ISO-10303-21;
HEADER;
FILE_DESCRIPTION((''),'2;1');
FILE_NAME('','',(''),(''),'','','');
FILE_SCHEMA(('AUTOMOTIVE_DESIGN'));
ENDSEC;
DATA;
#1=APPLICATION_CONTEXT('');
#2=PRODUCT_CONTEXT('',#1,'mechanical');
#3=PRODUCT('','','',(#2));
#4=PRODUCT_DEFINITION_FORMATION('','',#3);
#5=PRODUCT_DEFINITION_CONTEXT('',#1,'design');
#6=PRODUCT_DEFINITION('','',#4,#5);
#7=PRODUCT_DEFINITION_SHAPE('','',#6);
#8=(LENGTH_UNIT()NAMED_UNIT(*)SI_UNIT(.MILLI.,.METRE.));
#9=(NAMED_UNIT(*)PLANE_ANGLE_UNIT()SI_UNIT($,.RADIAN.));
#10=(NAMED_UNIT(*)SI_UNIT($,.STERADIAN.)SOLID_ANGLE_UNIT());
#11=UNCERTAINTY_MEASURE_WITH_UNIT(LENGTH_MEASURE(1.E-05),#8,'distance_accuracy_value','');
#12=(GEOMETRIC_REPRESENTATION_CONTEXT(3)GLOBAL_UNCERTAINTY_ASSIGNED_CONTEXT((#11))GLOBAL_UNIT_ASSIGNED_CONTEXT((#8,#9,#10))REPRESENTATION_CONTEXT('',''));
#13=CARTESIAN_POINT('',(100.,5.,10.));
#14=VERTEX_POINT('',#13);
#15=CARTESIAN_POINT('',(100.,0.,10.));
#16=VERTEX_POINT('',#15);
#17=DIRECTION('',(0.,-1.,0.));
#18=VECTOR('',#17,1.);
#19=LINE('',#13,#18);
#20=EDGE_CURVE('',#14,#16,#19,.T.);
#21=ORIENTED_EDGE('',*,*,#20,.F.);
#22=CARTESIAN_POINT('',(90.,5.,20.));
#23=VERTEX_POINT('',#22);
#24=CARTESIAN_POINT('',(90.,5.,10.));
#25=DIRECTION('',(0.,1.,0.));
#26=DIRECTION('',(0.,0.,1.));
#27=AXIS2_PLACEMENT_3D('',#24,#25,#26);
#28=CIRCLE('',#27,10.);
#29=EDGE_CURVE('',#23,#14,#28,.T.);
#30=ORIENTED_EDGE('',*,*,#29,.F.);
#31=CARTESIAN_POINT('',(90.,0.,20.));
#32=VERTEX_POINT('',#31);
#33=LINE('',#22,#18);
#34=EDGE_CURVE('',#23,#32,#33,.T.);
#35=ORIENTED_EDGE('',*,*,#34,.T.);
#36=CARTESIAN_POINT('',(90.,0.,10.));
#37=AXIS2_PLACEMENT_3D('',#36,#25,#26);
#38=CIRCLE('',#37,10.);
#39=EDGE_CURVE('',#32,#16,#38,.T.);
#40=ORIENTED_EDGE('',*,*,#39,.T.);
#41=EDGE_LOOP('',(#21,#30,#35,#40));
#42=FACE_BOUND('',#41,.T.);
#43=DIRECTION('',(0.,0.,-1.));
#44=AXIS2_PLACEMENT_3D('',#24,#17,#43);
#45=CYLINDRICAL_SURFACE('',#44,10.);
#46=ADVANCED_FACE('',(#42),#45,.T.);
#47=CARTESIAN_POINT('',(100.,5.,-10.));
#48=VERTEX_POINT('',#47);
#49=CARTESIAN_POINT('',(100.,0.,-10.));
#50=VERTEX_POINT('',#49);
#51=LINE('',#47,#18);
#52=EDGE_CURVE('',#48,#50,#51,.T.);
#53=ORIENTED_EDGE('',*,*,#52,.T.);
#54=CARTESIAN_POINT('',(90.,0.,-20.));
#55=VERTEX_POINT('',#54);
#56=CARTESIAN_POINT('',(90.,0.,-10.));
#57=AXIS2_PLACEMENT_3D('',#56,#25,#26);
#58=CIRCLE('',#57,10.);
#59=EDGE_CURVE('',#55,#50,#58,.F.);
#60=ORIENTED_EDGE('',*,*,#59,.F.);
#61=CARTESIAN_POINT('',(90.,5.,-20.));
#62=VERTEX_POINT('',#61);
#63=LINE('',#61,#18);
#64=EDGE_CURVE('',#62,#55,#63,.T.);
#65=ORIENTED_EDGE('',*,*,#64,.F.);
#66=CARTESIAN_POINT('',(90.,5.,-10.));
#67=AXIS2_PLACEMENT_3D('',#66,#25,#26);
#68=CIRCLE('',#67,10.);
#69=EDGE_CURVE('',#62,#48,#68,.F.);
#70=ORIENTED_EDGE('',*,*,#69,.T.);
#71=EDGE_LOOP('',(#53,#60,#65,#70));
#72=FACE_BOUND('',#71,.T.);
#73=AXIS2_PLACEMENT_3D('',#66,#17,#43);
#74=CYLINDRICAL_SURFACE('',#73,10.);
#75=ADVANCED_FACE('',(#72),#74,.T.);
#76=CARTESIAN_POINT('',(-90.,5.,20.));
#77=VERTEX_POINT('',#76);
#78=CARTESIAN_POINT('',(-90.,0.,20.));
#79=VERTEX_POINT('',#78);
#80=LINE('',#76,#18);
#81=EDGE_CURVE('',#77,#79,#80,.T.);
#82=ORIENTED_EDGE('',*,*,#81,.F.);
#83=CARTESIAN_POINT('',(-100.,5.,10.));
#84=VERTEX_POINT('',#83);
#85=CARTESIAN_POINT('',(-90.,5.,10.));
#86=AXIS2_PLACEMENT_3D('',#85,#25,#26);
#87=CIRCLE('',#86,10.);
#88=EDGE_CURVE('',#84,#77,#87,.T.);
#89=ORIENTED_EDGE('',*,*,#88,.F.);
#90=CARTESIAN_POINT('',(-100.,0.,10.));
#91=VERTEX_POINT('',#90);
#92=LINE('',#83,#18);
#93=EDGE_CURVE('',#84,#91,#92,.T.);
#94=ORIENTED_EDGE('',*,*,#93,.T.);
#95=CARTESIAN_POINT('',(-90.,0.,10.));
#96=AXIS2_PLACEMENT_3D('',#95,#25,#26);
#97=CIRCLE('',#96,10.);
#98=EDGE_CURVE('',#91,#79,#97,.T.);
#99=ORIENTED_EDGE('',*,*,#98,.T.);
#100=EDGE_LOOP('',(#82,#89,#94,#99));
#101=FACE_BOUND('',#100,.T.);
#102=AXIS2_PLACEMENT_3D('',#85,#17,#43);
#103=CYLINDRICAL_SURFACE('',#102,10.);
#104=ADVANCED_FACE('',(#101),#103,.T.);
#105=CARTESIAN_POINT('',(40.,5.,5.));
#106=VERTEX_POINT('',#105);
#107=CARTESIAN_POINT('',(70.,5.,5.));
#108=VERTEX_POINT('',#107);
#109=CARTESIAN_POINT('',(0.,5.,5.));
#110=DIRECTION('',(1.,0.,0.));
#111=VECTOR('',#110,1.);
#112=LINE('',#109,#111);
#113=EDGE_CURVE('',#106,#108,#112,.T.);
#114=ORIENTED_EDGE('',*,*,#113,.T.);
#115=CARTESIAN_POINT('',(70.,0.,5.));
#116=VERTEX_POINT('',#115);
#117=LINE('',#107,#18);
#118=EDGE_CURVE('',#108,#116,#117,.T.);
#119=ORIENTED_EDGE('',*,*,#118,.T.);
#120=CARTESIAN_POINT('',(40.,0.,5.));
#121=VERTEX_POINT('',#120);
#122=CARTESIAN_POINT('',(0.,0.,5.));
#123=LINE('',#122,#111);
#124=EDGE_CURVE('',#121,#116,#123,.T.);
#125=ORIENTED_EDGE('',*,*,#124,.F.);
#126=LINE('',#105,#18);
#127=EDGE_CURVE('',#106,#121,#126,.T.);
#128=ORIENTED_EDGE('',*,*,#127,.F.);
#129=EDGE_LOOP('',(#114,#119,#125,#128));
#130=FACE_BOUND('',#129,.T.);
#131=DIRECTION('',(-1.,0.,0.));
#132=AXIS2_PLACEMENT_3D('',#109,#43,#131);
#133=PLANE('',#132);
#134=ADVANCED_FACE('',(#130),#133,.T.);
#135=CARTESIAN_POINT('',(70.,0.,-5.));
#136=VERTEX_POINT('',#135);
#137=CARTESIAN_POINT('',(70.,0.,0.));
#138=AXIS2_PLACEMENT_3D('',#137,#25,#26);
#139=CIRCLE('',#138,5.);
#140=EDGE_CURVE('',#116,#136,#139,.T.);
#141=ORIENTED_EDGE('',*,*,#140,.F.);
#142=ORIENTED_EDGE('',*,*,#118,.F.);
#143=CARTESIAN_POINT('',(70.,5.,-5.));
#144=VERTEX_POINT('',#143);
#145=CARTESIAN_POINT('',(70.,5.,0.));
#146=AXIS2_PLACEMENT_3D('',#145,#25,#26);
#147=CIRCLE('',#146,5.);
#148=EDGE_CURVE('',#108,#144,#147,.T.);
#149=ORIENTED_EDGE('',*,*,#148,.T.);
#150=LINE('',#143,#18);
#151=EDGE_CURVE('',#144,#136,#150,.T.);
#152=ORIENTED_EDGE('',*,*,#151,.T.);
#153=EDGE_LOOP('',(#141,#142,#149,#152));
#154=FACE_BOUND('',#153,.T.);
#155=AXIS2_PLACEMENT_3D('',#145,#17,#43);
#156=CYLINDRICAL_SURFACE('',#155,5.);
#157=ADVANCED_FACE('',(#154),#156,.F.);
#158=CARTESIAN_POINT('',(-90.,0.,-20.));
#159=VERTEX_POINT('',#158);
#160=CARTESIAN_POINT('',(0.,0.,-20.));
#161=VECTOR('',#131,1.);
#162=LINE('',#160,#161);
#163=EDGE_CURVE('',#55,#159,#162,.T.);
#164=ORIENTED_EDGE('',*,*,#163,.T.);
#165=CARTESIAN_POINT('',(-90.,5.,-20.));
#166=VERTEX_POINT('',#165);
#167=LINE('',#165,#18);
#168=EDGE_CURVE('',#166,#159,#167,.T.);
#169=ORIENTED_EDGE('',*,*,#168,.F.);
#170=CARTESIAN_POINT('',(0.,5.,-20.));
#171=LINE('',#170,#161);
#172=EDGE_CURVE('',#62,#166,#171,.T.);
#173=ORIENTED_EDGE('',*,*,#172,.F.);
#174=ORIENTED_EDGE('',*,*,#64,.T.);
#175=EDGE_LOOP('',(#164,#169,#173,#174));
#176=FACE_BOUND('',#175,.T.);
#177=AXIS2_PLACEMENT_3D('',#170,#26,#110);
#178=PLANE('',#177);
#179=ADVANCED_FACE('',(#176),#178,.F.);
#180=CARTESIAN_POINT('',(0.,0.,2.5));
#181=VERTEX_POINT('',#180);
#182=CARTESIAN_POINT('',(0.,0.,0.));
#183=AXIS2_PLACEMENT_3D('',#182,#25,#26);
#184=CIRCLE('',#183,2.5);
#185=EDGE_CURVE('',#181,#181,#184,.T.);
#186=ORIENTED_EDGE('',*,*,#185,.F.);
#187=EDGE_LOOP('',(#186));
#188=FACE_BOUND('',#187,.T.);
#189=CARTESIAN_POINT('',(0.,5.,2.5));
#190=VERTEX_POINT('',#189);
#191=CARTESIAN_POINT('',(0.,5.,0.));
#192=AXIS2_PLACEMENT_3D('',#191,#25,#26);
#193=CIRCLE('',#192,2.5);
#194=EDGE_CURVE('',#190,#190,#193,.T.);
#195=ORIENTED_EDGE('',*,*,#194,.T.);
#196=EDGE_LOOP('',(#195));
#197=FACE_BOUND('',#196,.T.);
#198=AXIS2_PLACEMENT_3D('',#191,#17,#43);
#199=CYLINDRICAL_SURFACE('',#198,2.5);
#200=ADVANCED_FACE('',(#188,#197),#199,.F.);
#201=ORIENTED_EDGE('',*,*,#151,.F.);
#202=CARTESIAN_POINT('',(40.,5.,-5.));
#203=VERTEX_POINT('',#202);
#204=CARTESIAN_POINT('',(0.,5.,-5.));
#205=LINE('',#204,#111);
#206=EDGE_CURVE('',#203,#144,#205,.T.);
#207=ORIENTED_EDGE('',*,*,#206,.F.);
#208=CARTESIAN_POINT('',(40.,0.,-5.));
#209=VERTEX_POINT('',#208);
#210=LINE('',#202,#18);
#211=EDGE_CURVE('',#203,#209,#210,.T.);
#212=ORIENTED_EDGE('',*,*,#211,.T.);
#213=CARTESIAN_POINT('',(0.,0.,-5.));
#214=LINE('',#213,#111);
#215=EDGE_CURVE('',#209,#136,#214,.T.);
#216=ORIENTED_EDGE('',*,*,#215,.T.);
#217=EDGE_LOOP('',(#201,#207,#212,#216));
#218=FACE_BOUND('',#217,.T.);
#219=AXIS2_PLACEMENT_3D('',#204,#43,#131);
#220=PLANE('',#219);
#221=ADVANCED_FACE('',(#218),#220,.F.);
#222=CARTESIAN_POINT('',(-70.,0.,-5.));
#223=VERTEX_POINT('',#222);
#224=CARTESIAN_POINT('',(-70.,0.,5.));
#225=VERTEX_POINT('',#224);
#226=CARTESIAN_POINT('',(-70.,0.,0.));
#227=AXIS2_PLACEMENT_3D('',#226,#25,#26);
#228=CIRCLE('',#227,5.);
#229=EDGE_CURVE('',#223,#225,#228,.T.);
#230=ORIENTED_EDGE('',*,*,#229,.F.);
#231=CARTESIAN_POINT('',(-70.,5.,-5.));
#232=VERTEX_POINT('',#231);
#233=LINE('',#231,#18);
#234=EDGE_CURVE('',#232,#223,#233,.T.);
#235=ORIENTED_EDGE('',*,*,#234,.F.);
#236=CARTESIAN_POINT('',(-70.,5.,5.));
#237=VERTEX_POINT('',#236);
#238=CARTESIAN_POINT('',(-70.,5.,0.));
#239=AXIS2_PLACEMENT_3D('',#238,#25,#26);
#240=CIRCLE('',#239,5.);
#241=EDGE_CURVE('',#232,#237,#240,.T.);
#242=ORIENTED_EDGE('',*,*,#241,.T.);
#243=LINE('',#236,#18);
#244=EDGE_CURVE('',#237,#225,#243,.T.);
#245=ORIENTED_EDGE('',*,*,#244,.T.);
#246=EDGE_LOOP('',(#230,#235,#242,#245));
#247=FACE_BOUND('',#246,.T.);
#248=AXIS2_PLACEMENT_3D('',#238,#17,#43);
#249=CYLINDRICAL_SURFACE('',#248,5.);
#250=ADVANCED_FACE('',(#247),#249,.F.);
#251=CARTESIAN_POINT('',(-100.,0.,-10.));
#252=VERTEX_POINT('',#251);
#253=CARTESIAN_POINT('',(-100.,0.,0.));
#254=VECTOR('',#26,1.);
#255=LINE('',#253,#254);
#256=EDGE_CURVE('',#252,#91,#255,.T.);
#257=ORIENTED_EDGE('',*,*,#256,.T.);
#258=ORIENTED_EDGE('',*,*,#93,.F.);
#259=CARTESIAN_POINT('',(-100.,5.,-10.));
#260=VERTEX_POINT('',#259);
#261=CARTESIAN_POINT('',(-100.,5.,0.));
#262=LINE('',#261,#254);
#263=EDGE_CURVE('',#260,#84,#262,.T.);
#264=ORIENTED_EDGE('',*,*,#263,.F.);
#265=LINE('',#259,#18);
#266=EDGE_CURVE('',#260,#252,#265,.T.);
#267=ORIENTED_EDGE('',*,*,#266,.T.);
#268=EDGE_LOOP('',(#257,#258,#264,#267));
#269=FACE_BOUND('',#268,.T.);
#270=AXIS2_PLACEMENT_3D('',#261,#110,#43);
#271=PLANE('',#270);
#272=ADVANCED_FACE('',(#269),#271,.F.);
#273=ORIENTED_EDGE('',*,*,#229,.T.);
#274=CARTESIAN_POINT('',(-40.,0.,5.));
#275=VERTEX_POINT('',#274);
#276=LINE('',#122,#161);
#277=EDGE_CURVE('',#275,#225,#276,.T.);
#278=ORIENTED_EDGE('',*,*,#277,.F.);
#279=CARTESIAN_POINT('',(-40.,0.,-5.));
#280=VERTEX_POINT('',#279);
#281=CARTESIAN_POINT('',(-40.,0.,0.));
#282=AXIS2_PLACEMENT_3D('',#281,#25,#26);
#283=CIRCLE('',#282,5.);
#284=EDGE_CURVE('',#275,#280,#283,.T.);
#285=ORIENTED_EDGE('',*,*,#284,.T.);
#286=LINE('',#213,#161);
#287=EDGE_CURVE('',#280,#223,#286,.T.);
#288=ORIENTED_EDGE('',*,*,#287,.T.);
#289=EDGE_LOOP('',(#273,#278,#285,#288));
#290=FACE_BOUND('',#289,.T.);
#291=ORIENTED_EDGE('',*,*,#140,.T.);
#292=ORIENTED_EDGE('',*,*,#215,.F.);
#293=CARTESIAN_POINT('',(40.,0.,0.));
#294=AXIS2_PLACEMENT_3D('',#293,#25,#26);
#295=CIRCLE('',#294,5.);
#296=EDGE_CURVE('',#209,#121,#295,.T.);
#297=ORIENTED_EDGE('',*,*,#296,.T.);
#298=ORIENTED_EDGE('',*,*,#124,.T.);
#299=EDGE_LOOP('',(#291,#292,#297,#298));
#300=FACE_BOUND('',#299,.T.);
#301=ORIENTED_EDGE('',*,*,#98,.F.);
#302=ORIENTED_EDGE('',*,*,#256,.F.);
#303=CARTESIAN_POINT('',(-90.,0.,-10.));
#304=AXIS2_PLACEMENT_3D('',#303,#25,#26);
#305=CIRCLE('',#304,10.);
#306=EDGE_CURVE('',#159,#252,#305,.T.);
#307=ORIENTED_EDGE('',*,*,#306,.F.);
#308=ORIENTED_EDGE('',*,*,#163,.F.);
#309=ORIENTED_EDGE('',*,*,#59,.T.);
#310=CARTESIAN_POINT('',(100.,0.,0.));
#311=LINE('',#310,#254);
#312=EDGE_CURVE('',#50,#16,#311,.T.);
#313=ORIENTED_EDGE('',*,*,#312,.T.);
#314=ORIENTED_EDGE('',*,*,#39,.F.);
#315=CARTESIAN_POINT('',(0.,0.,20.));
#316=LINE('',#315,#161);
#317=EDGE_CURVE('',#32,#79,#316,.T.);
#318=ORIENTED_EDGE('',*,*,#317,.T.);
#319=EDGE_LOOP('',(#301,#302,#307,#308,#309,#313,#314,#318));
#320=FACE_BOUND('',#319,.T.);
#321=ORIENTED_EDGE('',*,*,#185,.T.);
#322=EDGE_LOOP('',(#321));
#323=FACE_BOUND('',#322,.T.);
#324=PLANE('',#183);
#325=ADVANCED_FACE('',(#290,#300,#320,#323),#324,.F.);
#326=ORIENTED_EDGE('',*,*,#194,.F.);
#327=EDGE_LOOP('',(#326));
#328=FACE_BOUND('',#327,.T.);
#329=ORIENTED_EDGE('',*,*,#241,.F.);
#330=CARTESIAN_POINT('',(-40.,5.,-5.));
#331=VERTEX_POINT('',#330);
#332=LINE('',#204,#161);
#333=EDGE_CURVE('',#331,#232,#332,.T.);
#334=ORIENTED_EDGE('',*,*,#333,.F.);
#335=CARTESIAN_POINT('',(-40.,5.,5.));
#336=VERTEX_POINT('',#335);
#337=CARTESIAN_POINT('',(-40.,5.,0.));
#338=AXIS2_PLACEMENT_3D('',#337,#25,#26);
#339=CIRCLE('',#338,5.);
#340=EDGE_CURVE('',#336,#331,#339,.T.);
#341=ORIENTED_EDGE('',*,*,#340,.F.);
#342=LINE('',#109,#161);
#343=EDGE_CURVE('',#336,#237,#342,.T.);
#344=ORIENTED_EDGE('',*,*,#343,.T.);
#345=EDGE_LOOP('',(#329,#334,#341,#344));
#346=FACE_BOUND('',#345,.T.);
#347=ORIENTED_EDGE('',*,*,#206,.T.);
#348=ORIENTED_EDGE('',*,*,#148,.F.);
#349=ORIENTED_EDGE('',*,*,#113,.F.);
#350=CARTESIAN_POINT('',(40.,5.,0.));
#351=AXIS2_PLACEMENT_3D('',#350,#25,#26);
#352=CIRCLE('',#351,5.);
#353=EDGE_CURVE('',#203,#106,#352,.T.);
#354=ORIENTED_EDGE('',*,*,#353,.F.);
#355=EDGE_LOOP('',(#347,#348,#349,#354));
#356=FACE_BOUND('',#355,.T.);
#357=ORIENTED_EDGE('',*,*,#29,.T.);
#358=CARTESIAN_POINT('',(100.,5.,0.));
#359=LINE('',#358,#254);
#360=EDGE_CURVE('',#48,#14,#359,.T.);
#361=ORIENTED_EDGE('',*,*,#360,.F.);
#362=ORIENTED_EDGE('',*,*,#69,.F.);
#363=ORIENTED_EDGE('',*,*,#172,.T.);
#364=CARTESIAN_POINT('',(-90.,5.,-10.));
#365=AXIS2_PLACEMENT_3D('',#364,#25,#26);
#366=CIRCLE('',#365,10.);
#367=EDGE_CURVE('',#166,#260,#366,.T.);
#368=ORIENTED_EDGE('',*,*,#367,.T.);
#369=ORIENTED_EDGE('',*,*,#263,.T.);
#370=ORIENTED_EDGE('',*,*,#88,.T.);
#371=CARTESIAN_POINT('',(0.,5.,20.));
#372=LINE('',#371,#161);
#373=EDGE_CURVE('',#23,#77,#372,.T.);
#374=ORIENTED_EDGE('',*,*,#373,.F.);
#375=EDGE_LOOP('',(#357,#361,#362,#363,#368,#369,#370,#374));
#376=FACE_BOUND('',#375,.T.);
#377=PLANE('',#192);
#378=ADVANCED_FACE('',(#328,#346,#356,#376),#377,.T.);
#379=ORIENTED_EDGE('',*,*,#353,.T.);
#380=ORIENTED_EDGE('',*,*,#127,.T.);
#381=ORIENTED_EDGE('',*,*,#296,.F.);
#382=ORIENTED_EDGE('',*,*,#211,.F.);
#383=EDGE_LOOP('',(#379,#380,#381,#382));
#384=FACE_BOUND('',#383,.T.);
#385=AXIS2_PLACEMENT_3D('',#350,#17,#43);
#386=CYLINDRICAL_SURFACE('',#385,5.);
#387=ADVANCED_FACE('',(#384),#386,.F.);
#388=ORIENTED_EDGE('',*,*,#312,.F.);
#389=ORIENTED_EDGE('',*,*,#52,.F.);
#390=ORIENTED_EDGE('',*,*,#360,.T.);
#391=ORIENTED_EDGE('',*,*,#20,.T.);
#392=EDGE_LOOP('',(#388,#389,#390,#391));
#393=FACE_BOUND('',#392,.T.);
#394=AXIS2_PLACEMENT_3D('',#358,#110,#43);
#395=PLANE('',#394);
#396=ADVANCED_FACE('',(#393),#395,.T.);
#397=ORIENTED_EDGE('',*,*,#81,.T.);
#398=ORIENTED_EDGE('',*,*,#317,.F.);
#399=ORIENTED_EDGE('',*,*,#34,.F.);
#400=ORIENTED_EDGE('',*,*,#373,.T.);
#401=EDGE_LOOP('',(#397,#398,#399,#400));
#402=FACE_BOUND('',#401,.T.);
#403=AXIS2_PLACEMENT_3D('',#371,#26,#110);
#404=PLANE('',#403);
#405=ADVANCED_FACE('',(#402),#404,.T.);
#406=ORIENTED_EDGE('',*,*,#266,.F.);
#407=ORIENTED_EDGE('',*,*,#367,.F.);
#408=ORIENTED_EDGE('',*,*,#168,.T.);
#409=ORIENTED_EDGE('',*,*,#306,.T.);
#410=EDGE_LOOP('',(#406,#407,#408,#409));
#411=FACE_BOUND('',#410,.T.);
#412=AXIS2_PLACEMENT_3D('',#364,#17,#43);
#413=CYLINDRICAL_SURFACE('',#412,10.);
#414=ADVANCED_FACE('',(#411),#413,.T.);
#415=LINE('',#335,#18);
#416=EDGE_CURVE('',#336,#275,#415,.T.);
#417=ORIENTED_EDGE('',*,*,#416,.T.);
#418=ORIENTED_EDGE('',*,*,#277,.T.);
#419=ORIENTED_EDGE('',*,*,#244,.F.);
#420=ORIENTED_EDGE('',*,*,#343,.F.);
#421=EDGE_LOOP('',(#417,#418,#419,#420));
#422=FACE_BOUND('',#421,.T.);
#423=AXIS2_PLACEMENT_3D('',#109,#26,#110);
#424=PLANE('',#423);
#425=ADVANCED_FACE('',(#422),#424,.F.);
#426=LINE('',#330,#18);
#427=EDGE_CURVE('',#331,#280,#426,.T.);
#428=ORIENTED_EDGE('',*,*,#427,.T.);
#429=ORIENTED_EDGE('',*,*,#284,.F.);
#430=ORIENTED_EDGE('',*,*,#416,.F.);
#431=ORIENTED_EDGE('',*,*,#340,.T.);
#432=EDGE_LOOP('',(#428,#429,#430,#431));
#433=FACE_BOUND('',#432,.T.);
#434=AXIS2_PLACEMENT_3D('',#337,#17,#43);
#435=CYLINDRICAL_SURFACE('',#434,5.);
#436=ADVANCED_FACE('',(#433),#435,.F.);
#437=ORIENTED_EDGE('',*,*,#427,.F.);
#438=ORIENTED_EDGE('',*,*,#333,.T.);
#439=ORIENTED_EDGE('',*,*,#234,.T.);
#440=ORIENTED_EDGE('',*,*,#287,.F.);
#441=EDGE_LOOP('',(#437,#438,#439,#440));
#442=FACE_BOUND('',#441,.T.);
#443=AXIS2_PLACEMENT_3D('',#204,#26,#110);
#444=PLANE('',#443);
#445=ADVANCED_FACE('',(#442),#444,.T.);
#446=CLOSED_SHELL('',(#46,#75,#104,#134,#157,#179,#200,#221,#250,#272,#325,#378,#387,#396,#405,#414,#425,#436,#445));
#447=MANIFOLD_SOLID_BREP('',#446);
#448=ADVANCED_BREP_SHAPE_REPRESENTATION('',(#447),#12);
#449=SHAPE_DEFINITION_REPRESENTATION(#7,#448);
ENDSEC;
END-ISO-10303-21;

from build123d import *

# Parameters (mm, degrees)
SKETCH_1_W      = 40
SKETCH_1_H      = 40
SKETCH_1_R      = 2.5
EXTRUDE_3_DEPTH = 5


with BuildPart() as part:
    # 草图1 → 凸台-拉伸3 (new body)
    # profile 1 of 3: a face of its own
    with BuildSketch(Plane(origin=(0, 0, 0), x_dir=(1, 0, 0), z_dir=(0, 1, 0))):
        with BuildLine():
            Line((-100, 10), (-100, -10))
            ThreePointArc((-100, -10), (-97.071067812, -17.071067812), (-90, -20))
            Line((-90, -20), (-20, -20))
            Line((-20, -20), (-20, 20))
            Line((-20, 20), (-90, 20))
            ThreePointArc((-90, 20), (-97.071067812, 17.071067812), (-100, 10))
        make_face()
        with BuildLine():
            ThreePointArc((-70, 5), (-75, 0), (-70, -5))
            Line((-70, -5), (-40, -5))
            ThreePointArc((-40, -5), (-35, 0), (-40, 5))
            Line((-40, 5), (-70, 5))
        make_face(mode=Mode.SUBTRACT)
    # profile 2 of 3: a face of its own
    with BuildSketch(Plane(origin=(0, 0, 0), x_dir=(1, 0, 0), z_dir=(0, 1, 0))):
        Rectangle(SKETCH_1_W, SKETCH_1_H)
        with Locations(Location((0, 0, 0), (0, 0, 270))):
            Circle(SKETCH_1_R, mode=Mode.SUBTRACT)
    # profile 3 of 3: a face of its own
    with BuildSketch(Plane(origin=(0, 0, 0), x_dir=(1, 0, 0), z_dir=(0, 1, 0))):
        with BuildLine():
            ThreePointArc((90, 20), (97.071067812, 17.071067812), (100, 10))
            Line((100, 10), (100, -10))
            ThreePointArc((100, -10), (97.071067812, -17.071067812), (90, -20))
            Line((90, -20), (20, -20))
            Line((20, -20), (20, 20))
            Line((20, 20), (90, 20))
        make_face()
        with BuildLine():
            ThreePointArc((70, -5), (75, 0), (70, 5))
            Line((70, 5), (40, 5))
            ThreePointArc((40, 5), (35, 0), (40, -5))
            Line((40, -5), (70, -5))
        make_face(mode=Mode.SUBTRACT)
    extrude(amount=EXTRUDE_3_DEPTH)


solid = part.part
